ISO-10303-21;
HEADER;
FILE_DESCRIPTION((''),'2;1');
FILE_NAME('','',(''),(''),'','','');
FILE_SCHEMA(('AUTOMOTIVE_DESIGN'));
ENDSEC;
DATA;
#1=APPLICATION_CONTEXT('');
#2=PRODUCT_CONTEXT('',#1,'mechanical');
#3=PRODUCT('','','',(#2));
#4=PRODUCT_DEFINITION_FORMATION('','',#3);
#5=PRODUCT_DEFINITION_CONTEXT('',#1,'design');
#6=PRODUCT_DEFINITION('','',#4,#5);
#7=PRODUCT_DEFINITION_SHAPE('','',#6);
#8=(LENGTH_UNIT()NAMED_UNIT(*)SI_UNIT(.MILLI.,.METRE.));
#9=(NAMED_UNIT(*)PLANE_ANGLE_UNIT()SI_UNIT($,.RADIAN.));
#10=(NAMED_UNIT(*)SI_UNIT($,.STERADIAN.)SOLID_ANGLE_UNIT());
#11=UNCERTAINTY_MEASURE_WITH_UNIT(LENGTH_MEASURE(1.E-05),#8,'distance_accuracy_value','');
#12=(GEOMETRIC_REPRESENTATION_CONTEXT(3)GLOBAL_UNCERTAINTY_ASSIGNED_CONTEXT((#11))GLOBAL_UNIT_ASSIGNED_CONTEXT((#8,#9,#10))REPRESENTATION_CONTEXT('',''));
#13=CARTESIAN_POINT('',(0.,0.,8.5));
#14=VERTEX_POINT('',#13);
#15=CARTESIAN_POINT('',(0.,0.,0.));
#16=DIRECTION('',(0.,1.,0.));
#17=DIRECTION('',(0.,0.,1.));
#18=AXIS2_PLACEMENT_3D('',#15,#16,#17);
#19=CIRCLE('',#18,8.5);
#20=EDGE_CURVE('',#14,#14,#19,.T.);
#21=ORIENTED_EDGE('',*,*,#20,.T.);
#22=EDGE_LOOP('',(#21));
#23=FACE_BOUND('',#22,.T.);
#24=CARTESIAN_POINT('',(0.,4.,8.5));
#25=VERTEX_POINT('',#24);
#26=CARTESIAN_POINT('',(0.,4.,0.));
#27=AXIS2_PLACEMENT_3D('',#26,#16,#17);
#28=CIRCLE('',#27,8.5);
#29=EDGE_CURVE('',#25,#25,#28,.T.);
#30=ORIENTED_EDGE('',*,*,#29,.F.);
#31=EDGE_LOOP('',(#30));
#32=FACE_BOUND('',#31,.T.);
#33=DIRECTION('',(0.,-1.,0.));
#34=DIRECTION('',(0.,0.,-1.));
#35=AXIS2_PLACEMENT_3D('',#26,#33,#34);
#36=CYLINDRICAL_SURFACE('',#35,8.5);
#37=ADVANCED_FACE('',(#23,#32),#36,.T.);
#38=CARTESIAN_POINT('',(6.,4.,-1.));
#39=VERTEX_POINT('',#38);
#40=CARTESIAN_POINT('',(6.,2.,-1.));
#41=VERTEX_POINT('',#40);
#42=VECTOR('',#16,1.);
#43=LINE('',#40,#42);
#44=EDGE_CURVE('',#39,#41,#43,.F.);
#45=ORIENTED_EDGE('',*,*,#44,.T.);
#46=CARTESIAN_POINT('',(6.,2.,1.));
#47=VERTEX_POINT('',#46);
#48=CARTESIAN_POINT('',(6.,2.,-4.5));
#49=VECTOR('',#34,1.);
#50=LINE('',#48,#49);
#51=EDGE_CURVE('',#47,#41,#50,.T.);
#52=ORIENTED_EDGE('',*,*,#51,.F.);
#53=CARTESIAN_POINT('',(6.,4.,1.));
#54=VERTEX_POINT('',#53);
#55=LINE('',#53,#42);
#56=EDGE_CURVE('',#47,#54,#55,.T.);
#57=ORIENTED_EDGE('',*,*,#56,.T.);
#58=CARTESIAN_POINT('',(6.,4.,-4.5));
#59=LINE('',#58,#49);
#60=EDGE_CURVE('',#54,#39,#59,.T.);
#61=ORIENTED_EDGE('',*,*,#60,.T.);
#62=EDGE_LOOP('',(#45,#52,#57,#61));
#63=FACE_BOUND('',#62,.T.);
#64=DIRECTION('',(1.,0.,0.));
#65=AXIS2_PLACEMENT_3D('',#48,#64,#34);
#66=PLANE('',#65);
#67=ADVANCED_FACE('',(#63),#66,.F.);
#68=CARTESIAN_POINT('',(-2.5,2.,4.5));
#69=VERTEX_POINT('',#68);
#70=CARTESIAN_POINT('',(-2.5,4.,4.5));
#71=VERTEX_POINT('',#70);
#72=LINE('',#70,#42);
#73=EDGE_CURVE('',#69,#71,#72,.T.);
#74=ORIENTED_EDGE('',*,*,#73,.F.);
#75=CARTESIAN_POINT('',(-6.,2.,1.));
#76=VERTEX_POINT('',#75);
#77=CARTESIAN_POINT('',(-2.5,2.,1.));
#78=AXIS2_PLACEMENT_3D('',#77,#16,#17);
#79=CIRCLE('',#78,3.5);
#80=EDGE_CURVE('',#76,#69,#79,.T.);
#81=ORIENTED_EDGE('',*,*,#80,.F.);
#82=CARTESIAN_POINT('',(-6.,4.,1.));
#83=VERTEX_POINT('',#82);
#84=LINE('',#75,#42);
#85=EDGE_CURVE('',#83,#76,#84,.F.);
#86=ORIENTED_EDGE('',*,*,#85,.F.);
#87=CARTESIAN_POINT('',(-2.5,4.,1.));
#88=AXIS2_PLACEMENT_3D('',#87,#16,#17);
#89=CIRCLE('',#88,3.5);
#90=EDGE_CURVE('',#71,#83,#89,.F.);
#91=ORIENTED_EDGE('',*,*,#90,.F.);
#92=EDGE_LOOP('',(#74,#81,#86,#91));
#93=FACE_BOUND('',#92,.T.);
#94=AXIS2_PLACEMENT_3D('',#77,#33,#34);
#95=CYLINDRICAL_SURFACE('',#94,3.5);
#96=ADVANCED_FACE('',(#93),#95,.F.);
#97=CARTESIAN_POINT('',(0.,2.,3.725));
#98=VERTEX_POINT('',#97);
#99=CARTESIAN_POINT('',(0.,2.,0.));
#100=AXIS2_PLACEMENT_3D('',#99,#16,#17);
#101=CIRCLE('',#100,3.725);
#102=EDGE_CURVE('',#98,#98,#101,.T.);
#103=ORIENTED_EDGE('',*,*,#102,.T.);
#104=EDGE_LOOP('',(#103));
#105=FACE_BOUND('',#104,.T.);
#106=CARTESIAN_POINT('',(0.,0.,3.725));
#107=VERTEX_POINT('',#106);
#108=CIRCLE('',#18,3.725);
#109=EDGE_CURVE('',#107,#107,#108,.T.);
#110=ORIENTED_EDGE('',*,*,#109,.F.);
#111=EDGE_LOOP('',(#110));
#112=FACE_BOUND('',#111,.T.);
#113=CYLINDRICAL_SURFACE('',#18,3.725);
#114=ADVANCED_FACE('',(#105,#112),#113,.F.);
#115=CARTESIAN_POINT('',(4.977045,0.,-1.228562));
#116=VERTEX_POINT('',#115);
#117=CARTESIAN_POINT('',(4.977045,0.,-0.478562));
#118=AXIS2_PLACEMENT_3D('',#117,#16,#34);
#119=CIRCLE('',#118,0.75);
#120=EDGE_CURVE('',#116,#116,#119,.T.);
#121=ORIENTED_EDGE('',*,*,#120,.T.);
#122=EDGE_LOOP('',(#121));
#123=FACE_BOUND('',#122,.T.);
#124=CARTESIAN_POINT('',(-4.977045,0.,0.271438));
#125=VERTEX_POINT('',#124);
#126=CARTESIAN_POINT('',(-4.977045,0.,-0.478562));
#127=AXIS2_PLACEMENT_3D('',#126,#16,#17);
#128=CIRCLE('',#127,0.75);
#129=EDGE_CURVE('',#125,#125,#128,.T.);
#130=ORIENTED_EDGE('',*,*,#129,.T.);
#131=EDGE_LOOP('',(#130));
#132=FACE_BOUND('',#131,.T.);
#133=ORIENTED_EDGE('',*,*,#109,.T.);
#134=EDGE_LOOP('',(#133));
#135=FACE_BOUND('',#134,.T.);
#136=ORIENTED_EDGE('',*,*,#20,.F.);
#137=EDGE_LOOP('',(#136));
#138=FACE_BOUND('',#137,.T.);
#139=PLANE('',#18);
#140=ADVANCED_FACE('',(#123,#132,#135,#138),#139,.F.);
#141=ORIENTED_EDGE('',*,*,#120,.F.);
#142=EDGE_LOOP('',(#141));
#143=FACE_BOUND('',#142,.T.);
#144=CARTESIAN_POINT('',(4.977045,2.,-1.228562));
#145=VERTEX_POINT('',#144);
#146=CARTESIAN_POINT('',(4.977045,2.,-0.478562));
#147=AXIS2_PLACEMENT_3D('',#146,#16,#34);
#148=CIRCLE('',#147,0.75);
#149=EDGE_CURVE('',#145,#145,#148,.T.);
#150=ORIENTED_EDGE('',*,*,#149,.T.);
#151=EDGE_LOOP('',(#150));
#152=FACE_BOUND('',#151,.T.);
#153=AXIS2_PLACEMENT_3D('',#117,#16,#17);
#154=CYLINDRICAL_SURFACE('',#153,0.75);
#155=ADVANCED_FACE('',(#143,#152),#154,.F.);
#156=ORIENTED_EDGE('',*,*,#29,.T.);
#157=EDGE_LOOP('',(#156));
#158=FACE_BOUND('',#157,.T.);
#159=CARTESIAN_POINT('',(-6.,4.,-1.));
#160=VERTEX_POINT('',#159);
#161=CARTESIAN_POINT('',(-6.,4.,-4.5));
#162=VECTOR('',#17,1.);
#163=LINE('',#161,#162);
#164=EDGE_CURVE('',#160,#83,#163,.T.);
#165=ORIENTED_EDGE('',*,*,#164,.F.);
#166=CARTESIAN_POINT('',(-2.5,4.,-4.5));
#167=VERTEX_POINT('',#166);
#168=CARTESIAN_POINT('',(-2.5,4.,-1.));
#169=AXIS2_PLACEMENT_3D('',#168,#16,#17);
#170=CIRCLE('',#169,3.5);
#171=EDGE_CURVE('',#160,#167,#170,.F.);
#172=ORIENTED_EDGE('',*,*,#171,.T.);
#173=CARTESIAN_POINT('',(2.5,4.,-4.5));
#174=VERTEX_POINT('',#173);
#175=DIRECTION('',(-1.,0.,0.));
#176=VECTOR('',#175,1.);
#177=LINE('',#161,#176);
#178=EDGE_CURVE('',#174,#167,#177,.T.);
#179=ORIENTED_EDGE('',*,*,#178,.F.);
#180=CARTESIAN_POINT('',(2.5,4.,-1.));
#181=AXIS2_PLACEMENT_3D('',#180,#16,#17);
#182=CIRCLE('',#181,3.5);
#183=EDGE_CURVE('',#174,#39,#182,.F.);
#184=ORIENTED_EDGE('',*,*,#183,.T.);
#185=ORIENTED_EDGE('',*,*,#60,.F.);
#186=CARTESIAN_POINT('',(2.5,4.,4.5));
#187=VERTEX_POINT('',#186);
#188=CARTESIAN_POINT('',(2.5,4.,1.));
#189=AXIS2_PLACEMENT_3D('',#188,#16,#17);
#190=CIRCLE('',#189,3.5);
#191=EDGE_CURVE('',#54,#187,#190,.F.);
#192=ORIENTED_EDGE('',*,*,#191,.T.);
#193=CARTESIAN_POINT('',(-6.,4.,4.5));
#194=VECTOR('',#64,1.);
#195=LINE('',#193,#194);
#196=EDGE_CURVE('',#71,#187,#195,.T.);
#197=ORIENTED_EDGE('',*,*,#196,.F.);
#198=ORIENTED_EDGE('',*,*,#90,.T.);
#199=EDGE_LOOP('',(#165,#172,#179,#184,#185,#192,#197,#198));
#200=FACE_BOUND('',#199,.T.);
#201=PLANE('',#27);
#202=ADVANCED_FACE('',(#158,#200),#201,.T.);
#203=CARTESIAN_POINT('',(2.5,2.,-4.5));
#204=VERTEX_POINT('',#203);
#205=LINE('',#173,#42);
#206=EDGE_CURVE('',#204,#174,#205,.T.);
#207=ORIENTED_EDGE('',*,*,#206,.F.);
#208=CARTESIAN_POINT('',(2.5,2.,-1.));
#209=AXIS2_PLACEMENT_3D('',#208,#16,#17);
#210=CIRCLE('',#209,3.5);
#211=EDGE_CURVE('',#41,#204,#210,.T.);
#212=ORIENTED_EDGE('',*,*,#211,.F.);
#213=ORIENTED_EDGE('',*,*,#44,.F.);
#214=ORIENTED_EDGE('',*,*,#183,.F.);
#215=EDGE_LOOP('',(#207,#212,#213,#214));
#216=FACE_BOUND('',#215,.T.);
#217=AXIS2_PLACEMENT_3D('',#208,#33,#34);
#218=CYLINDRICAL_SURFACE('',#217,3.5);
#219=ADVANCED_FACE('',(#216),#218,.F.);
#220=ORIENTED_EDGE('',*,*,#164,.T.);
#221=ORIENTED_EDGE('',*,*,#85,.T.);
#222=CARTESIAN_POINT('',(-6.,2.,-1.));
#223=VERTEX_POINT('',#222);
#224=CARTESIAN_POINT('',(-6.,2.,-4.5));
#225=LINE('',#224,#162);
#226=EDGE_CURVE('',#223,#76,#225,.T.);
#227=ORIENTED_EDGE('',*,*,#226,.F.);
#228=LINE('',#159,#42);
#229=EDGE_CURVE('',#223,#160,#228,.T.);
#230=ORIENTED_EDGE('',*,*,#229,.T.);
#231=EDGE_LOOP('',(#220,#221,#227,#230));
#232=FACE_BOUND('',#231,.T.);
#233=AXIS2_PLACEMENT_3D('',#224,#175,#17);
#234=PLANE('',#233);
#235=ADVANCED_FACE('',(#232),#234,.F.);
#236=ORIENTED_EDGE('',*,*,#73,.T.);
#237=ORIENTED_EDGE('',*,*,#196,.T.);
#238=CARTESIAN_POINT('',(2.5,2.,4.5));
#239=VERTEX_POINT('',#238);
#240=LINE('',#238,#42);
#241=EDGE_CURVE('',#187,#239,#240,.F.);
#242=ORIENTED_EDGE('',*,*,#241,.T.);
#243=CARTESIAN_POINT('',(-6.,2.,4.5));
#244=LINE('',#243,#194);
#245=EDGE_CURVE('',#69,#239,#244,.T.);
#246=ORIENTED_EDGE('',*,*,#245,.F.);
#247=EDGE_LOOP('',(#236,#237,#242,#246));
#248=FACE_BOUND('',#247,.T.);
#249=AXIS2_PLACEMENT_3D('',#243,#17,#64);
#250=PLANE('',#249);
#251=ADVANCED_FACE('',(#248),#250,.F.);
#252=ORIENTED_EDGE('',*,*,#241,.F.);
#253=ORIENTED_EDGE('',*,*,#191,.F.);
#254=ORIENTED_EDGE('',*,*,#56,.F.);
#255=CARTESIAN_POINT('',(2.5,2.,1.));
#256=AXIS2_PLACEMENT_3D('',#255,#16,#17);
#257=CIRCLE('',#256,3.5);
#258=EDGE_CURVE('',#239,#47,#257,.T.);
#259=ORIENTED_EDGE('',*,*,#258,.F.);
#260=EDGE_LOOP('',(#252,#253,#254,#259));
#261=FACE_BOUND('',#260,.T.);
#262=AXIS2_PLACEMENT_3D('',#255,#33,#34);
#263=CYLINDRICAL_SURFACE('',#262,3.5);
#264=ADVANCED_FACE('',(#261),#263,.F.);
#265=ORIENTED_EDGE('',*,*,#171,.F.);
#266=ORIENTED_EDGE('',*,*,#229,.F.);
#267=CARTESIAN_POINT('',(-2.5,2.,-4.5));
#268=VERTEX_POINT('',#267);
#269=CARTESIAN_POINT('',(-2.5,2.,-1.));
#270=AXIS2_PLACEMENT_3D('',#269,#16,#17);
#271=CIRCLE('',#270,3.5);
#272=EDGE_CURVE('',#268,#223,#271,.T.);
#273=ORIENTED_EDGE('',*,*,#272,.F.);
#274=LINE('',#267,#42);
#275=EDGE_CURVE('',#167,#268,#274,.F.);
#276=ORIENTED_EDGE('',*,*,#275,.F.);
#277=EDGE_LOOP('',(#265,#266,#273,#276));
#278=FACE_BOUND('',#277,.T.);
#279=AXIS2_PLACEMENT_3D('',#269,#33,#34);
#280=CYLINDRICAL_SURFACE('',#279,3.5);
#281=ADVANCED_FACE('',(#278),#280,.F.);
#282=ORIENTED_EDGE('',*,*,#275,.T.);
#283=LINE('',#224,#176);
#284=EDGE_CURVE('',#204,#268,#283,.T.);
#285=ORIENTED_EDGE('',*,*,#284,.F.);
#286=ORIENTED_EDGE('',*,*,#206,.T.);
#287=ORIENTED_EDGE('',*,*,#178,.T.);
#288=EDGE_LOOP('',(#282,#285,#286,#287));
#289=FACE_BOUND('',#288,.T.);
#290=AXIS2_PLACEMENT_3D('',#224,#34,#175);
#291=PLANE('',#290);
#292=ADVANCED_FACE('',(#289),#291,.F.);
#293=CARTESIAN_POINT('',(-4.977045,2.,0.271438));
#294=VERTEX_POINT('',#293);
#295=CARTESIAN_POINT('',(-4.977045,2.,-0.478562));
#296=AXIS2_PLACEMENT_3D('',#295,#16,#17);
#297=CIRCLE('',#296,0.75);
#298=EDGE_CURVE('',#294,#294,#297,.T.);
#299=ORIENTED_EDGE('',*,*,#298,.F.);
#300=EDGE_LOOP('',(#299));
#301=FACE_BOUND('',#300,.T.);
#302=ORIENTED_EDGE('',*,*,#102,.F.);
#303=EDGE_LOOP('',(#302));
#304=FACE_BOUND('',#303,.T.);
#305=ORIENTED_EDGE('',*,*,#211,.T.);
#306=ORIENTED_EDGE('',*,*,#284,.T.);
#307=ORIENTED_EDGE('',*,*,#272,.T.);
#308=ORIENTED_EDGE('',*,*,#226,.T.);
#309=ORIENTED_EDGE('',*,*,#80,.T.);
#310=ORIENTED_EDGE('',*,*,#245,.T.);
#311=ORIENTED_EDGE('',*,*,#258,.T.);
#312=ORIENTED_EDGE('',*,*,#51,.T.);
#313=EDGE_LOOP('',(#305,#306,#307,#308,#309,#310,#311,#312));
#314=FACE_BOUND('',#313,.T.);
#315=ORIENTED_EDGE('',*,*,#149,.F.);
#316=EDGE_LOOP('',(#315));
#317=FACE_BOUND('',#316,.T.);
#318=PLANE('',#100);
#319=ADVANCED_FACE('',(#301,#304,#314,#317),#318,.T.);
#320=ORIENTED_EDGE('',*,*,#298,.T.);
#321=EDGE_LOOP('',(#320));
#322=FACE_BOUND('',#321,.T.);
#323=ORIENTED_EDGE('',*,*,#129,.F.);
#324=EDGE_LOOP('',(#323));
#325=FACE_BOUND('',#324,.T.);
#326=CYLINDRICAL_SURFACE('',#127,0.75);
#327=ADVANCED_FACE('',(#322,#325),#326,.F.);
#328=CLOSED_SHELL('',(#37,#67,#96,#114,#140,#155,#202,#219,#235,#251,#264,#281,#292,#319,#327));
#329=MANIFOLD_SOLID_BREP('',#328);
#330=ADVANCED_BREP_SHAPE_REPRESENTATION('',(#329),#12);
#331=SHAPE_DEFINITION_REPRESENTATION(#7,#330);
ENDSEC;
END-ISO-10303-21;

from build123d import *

# Parameters (mm, degrees)
SKETCH2_R           = 8.5
BOSS_EXTRUDE1_DEPTH = 4
SKETCH3_W           = 12
SKETCH3_H           = 9
CUT_EXTRUDE1_DEPTH  = 2
FILLET1_R           = 3.5
SKETCH4_R           = 3.725
SKETCH4_R_2         = 0.75
CUT_EXTRUDE2_DEPTH  = 13.186057607


with BuildPart() as part:
    # Sketch2 → Boss-Extrude1 (new body)
    with BuildSketch(Plane(origin=(0, 0, 0), x_dir=(1, 0, 0), z_dir=(0, 1, 0))):
        with Locations(Location((0, 0, 0), (0, 0, 270))):
            Circle(SKETCH2_R)
    extrude(amount=BOSS_EXTRUDE1_DEPTH)

    # Sketch3 → Cut-Extrude1 (cut)
    with BuildSketch(Plane(origin=(0, 4, 0), x_dir=(1, 0, 0), z_dir=(0, 1, 0))):
        Rectangle(SKETCH3_W, SKETCH3_H)
    extrude(amount=-CUT_EXTRUDE1_DEPTH, mode=Mode.SUBTRACT)

    # Fillet1
    fillet1_edges = [part.edges().sort_by_distance(p)[0] for p in [
        (6, 3, -4.5),
        (6, 3, 4.5),
        (-6, 3, 4.5),
        (-6, 3, -4.5),
    ]]
    fillet(fillet1_edges, radius=FILLET1_R)

    # Sketch4 → Cut-Extrude2 (cut, through all)
    with BuildSketch(Plane(origin=(0, 2, 0), x_dir=(1, 0, 0), z_dir=(0, 1, 0))):
        with Locations(Location((0, 0, 0), (0, 0, 270))):
            Circle(SKETCH4_R)
        with Locations(Location((-4.977045146, 0.478562033, 0), (0, 0, 270))):
            Circle(SKETCH4_R_2)
        with Locations(Location((4.977045146, 0.478562033, 0), (0, 0, 90))):
            Circle(SKETCH4_R_2)
    extrude(amount=-CUT_EXTRUDE2_DEPTH, mode=Mode.SUBTRACT)


solid = part.part
